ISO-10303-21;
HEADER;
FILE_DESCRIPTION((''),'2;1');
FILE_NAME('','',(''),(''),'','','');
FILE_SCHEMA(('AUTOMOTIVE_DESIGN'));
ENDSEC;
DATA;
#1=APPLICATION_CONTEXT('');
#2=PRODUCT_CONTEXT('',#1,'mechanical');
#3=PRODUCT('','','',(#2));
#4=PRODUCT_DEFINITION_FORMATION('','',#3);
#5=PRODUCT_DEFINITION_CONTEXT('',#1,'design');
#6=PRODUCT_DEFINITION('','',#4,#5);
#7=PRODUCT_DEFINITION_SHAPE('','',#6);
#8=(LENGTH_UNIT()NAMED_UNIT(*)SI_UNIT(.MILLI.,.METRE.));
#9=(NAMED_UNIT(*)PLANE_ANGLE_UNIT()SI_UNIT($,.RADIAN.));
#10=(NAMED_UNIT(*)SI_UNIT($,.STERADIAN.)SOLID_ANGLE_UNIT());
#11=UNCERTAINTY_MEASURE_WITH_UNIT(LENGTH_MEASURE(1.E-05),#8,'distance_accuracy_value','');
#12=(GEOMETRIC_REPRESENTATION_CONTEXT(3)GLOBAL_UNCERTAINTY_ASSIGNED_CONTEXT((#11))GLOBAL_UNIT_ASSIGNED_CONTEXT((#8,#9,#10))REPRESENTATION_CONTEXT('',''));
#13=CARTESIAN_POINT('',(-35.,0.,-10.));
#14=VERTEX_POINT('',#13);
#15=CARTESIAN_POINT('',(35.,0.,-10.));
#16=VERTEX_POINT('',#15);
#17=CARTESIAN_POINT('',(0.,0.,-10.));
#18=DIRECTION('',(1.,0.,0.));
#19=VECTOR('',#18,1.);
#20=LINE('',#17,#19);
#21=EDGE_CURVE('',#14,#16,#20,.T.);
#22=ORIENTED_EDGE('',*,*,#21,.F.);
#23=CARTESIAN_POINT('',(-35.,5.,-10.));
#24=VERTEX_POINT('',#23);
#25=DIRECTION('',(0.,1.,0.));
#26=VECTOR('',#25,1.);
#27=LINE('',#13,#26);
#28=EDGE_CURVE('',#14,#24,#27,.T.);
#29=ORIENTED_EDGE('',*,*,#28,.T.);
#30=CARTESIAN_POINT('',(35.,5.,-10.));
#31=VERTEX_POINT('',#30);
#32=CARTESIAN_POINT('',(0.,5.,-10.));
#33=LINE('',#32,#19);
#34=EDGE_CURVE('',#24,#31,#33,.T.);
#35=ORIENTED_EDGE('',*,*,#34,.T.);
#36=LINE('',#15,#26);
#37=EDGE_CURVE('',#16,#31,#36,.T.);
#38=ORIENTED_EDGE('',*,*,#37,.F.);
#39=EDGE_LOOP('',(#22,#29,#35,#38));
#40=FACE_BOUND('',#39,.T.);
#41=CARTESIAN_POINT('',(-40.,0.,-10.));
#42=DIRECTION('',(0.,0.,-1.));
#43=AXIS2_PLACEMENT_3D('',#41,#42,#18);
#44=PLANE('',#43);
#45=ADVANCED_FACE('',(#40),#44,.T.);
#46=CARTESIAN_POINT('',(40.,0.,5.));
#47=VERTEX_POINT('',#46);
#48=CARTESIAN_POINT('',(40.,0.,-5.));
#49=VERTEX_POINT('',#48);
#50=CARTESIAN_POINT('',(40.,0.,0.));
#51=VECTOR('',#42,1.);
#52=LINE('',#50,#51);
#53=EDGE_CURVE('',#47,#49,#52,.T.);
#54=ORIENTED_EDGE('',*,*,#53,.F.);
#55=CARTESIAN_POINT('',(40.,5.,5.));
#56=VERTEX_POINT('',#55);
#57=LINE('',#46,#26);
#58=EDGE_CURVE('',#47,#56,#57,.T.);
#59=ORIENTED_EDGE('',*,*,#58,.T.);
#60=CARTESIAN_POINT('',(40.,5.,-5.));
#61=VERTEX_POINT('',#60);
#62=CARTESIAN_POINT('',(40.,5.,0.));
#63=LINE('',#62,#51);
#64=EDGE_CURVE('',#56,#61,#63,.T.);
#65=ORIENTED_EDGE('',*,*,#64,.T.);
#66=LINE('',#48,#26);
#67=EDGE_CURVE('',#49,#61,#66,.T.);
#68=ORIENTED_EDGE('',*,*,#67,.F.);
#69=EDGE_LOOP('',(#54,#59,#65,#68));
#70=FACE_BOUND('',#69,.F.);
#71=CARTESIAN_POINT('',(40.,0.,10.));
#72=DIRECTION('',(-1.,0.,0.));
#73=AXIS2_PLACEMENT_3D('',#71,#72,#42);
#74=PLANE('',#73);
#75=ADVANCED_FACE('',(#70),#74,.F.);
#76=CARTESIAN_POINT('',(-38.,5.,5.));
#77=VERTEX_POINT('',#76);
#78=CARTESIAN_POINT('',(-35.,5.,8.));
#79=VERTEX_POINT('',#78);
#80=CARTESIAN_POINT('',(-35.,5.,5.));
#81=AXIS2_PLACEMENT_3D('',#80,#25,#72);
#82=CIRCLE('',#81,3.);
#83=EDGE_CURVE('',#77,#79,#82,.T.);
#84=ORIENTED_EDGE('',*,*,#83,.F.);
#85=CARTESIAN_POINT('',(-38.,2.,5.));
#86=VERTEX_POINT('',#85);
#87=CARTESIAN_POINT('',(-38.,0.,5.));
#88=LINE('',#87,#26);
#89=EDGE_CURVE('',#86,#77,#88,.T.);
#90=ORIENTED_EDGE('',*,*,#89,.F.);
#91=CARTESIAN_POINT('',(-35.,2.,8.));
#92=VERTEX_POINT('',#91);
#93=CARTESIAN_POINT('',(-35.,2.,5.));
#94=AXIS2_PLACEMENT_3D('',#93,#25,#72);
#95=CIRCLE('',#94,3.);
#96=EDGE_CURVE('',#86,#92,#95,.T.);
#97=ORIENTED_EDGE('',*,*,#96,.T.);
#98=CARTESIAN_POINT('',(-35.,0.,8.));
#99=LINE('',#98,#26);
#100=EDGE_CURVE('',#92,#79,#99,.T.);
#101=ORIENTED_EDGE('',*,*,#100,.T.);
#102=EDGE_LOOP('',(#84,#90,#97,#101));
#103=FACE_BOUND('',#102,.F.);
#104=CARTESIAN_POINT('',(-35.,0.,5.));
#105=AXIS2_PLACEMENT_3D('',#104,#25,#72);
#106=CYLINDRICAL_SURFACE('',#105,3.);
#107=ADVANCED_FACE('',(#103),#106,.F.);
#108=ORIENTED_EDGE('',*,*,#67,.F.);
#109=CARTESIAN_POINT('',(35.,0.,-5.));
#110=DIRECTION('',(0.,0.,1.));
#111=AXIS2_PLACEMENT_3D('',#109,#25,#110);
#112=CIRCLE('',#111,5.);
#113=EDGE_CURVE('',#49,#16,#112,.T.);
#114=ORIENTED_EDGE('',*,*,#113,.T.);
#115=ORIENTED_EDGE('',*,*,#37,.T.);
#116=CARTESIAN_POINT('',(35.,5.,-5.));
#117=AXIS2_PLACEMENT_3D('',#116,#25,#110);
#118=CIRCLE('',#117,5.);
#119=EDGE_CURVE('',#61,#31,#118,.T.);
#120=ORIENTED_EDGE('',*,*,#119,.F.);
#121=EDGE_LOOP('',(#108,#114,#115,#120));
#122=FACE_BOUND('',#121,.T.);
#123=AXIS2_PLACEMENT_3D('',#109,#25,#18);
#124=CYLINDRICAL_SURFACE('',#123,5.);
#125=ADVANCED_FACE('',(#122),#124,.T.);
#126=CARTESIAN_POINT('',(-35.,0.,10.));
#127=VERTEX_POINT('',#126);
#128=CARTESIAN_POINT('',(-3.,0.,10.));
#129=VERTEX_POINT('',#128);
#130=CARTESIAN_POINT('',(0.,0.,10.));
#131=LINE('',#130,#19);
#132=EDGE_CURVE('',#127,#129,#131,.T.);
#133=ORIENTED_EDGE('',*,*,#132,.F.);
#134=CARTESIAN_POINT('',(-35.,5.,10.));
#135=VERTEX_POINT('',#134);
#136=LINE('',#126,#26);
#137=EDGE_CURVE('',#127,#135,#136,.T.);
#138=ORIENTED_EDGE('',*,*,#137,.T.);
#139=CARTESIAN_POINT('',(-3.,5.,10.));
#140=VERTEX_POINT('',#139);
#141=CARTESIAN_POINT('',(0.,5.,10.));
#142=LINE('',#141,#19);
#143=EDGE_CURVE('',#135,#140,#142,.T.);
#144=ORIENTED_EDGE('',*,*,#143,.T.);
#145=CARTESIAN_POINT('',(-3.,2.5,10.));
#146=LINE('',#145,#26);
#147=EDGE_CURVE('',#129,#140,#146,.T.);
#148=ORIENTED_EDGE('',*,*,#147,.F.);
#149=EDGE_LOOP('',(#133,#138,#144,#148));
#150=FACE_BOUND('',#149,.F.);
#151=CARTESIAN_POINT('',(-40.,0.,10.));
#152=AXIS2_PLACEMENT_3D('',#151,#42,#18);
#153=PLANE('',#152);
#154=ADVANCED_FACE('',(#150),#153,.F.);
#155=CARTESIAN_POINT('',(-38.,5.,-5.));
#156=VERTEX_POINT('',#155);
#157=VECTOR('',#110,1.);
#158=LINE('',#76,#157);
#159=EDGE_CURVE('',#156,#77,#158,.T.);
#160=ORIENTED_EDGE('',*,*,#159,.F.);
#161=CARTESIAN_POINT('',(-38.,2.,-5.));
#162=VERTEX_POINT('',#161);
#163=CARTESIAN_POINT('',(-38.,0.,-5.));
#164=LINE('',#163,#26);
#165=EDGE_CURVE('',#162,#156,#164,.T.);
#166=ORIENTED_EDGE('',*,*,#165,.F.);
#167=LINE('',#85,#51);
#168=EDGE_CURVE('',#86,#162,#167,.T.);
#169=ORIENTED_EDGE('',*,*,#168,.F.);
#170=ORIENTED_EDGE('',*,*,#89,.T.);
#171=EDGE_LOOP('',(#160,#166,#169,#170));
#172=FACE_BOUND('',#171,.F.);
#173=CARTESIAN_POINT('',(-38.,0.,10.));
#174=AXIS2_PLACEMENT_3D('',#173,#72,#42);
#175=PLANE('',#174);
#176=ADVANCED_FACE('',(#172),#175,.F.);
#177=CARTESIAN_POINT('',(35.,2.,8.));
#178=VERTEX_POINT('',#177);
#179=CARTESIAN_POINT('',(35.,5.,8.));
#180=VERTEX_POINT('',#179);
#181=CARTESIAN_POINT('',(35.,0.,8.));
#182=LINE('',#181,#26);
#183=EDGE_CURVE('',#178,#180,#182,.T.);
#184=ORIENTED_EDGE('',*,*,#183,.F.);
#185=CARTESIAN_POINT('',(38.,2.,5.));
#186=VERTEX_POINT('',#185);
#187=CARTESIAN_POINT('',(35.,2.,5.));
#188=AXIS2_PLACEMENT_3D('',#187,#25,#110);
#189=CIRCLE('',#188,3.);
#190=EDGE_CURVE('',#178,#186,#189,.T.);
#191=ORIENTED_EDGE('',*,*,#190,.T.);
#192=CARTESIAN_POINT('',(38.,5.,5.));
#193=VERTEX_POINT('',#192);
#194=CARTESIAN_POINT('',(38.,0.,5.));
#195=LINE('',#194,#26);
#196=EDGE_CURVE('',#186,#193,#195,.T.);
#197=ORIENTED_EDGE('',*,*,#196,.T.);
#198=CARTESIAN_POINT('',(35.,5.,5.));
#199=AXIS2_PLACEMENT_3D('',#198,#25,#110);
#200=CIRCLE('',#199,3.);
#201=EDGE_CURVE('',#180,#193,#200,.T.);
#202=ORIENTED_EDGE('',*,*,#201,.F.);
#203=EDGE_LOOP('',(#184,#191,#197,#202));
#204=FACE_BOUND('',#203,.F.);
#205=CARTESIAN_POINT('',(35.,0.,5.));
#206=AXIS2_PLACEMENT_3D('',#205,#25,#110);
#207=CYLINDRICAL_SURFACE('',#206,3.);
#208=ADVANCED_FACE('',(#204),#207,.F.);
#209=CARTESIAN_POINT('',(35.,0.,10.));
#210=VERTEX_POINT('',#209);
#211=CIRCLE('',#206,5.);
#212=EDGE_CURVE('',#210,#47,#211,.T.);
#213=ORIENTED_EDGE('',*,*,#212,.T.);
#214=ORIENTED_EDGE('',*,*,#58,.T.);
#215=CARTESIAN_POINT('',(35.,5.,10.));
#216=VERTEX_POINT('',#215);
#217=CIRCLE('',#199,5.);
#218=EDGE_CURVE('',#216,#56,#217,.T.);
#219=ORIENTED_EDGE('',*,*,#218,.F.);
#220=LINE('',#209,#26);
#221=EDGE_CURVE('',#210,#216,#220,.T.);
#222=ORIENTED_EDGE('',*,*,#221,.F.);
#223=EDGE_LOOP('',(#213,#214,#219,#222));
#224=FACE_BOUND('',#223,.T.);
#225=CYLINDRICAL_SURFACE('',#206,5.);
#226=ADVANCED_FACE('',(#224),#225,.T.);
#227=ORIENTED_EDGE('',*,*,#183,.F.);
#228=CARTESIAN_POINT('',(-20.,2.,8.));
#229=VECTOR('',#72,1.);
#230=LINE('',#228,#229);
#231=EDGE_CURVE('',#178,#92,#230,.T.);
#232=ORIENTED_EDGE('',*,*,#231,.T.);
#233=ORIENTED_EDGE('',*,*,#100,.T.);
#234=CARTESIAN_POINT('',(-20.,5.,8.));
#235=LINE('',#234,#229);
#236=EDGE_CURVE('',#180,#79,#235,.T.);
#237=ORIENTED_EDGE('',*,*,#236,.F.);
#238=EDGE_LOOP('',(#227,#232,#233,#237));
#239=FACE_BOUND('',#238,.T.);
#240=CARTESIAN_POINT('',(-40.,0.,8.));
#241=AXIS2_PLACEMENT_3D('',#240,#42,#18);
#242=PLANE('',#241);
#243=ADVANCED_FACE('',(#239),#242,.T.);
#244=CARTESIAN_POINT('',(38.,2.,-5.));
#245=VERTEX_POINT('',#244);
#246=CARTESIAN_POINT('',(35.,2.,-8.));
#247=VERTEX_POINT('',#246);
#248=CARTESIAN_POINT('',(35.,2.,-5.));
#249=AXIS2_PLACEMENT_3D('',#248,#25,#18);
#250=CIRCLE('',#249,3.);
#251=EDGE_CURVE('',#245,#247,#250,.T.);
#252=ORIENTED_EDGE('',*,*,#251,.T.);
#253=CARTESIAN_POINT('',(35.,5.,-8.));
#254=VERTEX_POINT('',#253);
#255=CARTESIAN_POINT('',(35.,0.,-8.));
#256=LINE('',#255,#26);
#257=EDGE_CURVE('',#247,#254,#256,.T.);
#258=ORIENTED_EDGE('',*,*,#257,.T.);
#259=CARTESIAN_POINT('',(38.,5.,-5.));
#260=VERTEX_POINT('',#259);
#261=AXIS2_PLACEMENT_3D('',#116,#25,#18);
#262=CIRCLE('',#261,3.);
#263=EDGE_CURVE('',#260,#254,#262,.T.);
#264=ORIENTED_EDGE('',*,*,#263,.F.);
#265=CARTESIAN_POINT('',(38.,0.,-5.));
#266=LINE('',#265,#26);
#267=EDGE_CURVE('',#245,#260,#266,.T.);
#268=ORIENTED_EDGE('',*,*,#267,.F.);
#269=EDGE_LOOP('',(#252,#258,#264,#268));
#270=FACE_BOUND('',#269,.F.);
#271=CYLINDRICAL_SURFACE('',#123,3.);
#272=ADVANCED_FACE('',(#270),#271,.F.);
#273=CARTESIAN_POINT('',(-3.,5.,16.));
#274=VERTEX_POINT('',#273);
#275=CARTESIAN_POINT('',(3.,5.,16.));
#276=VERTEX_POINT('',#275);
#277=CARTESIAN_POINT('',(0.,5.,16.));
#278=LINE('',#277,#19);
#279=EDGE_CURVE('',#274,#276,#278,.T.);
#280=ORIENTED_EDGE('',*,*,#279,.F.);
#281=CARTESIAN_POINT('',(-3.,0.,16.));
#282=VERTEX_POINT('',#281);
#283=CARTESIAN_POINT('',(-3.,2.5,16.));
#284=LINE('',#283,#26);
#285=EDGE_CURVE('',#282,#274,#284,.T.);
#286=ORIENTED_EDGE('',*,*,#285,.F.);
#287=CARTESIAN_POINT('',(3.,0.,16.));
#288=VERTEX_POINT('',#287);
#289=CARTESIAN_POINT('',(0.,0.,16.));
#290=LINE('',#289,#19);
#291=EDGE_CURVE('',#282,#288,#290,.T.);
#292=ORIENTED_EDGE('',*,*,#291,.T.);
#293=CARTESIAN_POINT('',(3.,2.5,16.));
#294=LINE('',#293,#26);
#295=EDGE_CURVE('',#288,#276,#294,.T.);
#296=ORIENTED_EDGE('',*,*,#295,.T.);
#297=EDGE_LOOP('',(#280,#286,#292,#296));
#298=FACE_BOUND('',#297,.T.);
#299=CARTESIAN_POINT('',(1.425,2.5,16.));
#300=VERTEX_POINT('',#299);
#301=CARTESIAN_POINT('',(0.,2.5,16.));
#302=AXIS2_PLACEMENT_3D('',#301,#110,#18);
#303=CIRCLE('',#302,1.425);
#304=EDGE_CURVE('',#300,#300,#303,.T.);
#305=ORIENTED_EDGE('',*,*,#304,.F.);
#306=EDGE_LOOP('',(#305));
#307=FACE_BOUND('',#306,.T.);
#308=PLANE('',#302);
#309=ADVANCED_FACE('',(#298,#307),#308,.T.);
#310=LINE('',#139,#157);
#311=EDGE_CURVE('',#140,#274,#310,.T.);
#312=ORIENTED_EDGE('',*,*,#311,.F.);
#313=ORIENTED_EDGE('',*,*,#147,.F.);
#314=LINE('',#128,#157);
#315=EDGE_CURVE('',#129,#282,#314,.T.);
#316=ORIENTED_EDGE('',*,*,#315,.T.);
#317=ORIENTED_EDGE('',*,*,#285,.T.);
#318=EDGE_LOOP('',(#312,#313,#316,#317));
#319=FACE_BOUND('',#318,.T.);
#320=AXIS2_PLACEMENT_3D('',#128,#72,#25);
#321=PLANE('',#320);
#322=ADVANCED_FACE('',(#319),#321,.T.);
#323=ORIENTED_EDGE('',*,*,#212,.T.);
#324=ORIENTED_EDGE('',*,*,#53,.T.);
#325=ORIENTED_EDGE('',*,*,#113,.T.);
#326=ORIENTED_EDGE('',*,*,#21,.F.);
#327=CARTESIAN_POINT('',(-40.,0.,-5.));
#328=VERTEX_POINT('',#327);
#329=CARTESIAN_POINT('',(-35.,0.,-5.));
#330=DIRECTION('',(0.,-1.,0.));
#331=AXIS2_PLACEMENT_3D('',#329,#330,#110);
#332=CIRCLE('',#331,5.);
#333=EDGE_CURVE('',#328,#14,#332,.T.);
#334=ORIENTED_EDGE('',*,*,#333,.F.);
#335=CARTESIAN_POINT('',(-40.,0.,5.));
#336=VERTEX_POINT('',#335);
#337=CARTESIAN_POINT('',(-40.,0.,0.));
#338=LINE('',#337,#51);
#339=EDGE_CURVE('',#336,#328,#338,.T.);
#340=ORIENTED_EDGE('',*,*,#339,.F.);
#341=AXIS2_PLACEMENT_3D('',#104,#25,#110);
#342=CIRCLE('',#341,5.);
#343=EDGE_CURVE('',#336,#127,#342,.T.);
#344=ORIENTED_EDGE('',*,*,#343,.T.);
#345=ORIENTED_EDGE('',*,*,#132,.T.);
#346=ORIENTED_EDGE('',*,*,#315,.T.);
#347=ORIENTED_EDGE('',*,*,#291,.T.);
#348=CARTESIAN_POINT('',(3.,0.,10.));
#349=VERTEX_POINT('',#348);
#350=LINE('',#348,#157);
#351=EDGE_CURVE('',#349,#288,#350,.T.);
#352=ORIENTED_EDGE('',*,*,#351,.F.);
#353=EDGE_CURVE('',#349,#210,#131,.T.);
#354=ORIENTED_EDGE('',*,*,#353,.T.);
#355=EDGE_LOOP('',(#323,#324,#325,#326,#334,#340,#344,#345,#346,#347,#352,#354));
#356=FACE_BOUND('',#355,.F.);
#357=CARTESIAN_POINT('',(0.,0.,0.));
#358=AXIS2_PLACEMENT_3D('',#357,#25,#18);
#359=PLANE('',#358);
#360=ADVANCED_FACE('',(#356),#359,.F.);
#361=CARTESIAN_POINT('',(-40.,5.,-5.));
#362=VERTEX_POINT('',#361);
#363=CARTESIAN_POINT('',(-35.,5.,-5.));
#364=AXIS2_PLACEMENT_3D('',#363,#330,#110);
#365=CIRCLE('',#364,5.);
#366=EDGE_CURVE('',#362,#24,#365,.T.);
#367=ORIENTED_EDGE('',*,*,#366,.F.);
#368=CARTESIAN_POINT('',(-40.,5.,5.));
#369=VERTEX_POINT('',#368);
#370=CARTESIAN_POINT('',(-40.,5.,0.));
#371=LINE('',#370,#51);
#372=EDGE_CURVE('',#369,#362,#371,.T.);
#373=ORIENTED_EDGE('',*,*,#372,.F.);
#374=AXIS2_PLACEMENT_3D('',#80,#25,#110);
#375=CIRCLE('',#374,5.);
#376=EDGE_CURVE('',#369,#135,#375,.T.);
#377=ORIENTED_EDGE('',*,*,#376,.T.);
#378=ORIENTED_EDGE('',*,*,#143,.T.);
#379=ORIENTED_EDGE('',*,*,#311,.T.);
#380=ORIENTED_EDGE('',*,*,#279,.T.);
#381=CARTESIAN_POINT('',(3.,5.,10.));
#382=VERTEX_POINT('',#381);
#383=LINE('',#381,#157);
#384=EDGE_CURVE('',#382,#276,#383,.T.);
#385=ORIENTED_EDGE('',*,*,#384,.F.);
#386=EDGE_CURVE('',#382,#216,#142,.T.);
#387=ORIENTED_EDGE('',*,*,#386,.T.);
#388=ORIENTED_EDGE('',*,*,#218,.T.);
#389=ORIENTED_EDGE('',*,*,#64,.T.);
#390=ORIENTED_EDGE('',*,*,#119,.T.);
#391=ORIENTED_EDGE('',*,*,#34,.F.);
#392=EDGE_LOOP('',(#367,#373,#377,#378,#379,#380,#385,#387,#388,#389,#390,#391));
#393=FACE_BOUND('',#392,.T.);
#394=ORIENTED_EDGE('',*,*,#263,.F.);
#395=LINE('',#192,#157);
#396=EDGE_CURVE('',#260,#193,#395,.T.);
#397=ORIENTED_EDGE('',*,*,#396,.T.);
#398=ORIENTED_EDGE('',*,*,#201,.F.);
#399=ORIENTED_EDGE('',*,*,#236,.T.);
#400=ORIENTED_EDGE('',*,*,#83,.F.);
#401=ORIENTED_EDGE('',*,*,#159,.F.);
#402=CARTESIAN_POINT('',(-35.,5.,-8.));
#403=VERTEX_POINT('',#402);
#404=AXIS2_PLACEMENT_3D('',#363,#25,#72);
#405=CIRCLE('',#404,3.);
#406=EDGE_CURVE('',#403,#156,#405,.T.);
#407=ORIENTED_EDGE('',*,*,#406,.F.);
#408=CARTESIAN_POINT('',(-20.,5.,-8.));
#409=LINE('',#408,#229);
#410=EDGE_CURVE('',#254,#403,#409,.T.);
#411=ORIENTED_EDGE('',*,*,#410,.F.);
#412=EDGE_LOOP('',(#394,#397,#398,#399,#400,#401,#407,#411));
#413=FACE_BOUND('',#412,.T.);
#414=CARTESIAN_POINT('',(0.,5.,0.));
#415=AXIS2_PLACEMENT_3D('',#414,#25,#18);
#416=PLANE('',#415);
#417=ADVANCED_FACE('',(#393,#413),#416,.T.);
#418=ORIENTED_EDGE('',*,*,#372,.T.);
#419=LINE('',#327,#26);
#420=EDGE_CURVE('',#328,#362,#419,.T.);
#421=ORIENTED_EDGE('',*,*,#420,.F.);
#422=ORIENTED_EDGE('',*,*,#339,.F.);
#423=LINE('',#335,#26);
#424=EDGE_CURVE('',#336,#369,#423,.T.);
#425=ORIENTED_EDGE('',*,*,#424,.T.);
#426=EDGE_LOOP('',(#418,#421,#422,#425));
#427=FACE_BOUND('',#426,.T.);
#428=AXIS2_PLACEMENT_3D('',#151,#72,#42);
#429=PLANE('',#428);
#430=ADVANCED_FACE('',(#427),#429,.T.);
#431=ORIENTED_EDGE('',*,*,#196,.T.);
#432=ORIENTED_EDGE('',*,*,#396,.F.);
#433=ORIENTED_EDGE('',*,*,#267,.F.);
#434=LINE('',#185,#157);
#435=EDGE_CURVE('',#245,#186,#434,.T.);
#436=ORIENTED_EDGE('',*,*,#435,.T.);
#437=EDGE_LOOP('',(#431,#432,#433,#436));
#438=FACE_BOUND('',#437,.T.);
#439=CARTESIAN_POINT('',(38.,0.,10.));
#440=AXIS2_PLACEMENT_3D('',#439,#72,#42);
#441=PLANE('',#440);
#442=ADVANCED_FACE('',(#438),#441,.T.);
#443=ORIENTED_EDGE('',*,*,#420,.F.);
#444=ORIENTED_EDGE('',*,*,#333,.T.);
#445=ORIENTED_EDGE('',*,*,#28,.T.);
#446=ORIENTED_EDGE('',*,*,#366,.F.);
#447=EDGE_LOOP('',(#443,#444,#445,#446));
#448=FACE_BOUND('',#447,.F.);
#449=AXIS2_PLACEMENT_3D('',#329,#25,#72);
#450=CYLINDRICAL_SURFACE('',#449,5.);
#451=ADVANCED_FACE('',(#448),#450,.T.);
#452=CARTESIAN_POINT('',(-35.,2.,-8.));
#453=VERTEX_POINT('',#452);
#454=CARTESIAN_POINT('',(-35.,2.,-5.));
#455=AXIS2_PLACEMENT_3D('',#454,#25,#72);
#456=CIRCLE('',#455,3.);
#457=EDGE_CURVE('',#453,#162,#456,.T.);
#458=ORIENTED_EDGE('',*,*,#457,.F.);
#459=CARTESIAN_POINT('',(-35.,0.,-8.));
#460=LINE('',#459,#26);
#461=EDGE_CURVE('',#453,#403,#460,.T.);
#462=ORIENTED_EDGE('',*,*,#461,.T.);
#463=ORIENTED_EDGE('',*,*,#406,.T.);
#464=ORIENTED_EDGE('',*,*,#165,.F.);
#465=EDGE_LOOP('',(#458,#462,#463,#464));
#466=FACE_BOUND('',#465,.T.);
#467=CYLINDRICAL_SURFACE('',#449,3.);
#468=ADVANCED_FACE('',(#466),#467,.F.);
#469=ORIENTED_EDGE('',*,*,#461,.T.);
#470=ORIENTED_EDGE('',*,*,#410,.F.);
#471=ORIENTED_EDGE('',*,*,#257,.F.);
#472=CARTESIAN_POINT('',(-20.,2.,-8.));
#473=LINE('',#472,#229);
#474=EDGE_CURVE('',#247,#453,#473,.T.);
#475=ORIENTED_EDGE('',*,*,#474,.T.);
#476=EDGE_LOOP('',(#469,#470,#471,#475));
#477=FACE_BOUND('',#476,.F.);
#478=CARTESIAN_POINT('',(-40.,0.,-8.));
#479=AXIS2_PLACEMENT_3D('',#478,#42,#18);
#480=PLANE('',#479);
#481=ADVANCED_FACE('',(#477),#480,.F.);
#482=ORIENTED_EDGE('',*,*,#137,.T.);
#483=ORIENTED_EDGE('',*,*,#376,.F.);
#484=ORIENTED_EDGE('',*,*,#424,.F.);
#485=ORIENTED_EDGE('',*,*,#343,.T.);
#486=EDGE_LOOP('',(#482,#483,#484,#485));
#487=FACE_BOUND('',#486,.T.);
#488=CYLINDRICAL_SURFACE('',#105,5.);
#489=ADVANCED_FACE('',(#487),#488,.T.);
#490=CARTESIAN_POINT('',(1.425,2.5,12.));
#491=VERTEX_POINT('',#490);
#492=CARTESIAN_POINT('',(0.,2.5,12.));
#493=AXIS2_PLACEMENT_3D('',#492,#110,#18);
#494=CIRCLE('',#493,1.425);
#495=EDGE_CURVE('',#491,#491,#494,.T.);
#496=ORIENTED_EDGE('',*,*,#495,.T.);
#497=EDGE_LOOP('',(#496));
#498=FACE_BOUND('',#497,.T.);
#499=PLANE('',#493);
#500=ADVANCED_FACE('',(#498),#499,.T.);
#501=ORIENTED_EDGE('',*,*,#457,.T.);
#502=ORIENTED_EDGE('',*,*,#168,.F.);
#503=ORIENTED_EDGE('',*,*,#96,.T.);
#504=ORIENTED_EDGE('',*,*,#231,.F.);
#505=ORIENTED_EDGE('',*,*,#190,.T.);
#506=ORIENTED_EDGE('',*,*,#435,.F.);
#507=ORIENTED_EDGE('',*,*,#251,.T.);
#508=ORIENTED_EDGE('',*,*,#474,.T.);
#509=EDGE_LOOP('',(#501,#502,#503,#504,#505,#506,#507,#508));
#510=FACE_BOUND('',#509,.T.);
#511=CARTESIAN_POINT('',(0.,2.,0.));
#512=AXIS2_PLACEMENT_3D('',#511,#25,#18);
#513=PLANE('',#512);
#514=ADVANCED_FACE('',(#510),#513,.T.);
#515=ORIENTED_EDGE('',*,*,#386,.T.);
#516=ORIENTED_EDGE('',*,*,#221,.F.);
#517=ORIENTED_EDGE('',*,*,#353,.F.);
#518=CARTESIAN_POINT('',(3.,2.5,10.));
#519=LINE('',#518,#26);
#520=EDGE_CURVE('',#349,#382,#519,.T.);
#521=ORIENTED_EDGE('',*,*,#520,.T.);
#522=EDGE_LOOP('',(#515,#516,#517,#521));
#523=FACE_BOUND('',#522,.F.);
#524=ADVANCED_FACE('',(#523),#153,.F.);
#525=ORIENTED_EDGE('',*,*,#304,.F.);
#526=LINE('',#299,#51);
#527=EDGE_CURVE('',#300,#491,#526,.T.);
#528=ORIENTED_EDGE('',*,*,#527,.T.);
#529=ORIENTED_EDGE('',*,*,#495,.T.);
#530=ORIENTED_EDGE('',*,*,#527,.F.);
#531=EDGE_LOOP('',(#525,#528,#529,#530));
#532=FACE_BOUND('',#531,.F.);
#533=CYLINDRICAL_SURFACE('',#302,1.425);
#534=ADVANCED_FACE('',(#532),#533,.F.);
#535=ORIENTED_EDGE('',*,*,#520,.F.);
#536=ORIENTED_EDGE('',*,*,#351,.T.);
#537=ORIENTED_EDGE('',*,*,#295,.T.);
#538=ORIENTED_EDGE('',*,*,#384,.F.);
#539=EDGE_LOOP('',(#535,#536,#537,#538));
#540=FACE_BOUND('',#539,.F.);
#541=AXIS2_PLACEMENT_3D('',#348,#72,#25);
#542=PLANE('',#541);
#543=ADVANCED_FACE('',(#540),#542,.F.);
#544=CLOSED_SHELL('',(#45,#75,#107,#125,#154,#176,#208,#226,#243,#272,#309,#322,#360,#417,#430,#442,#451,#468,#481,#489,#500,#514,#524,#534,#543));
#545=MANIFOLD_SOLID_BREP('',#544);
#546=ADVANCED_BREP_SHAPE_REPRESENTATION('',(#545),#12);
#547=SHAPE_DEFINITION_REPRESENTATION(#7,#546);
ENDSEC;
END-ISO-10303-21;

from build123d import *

# Parameters (mm, degrees)
SKETCH1_W           = 80
SKETCH1_H           = 20
BOSS_EXTRUDE1_DEPTH = 5
FILLET1_R           = 5
SHELL1_T            = -2
SKETCH2_W           = 6
SKETCH2_H           = 5
BOSS_EXTRUDE2_DEPTH = 6
SKETCH3_R           = 1.425
CUT_EXTRUDE1_DEPTH  = 4


with BuildPart() as part:
    # Sketch1 → Boss-Extrude1 (new body)
    with BuildSketch(Plane(origin=(0, 0, 0), x_dir=(1, 0, 0), z_dir=(0, 1, 0))):
        Rectangle(SKETCH1_W, SKETCH1_H)
    extrude(amount=BOSS_EXTRUDE1_DEPTH)

    # Fillet1
    fillet1_edges = [part.edges().sort_by_distance(p)[0] for p in [
        (40, 2.5, 10),
        (-40, 2.5, 10),
        (-40, 2.5, -10),
        (40, 2.5, -10),
    ]]
    fillet(fillet1_edges, radius=FILLET1_R)

    # Shell1
    shell1_openings = [part.faces().sort_by_distance(p)[0] for p in [
        (0, 5, 0),
    ]]
    offset(amount=SHELL1_T, openings=shell1_openings, kind=Kind.INTERSECTION)

    # Sketch2 → Boss-Extrude2 (add)
    with BuildSketch(Plane.XY.offset(10)):
        with Locations((0, 2.5)):
            Rectangle(SKETCH2_W, SKETCH2_H)
    extrude(amount=BOSS_EXTRUDE2_DEPTH)

    # Sketch3 → Cut-Extrude1 (cut)
    with BuildSketch(Plane.XY.offset(16)):
        with Locations((0, 2.5)):
            Circle(SKETCH3_R)
    extrude(amount=-CUT_EXTRUDE1_DEPTH, mode=Mode.SUBTRACT)


solid = part.part
